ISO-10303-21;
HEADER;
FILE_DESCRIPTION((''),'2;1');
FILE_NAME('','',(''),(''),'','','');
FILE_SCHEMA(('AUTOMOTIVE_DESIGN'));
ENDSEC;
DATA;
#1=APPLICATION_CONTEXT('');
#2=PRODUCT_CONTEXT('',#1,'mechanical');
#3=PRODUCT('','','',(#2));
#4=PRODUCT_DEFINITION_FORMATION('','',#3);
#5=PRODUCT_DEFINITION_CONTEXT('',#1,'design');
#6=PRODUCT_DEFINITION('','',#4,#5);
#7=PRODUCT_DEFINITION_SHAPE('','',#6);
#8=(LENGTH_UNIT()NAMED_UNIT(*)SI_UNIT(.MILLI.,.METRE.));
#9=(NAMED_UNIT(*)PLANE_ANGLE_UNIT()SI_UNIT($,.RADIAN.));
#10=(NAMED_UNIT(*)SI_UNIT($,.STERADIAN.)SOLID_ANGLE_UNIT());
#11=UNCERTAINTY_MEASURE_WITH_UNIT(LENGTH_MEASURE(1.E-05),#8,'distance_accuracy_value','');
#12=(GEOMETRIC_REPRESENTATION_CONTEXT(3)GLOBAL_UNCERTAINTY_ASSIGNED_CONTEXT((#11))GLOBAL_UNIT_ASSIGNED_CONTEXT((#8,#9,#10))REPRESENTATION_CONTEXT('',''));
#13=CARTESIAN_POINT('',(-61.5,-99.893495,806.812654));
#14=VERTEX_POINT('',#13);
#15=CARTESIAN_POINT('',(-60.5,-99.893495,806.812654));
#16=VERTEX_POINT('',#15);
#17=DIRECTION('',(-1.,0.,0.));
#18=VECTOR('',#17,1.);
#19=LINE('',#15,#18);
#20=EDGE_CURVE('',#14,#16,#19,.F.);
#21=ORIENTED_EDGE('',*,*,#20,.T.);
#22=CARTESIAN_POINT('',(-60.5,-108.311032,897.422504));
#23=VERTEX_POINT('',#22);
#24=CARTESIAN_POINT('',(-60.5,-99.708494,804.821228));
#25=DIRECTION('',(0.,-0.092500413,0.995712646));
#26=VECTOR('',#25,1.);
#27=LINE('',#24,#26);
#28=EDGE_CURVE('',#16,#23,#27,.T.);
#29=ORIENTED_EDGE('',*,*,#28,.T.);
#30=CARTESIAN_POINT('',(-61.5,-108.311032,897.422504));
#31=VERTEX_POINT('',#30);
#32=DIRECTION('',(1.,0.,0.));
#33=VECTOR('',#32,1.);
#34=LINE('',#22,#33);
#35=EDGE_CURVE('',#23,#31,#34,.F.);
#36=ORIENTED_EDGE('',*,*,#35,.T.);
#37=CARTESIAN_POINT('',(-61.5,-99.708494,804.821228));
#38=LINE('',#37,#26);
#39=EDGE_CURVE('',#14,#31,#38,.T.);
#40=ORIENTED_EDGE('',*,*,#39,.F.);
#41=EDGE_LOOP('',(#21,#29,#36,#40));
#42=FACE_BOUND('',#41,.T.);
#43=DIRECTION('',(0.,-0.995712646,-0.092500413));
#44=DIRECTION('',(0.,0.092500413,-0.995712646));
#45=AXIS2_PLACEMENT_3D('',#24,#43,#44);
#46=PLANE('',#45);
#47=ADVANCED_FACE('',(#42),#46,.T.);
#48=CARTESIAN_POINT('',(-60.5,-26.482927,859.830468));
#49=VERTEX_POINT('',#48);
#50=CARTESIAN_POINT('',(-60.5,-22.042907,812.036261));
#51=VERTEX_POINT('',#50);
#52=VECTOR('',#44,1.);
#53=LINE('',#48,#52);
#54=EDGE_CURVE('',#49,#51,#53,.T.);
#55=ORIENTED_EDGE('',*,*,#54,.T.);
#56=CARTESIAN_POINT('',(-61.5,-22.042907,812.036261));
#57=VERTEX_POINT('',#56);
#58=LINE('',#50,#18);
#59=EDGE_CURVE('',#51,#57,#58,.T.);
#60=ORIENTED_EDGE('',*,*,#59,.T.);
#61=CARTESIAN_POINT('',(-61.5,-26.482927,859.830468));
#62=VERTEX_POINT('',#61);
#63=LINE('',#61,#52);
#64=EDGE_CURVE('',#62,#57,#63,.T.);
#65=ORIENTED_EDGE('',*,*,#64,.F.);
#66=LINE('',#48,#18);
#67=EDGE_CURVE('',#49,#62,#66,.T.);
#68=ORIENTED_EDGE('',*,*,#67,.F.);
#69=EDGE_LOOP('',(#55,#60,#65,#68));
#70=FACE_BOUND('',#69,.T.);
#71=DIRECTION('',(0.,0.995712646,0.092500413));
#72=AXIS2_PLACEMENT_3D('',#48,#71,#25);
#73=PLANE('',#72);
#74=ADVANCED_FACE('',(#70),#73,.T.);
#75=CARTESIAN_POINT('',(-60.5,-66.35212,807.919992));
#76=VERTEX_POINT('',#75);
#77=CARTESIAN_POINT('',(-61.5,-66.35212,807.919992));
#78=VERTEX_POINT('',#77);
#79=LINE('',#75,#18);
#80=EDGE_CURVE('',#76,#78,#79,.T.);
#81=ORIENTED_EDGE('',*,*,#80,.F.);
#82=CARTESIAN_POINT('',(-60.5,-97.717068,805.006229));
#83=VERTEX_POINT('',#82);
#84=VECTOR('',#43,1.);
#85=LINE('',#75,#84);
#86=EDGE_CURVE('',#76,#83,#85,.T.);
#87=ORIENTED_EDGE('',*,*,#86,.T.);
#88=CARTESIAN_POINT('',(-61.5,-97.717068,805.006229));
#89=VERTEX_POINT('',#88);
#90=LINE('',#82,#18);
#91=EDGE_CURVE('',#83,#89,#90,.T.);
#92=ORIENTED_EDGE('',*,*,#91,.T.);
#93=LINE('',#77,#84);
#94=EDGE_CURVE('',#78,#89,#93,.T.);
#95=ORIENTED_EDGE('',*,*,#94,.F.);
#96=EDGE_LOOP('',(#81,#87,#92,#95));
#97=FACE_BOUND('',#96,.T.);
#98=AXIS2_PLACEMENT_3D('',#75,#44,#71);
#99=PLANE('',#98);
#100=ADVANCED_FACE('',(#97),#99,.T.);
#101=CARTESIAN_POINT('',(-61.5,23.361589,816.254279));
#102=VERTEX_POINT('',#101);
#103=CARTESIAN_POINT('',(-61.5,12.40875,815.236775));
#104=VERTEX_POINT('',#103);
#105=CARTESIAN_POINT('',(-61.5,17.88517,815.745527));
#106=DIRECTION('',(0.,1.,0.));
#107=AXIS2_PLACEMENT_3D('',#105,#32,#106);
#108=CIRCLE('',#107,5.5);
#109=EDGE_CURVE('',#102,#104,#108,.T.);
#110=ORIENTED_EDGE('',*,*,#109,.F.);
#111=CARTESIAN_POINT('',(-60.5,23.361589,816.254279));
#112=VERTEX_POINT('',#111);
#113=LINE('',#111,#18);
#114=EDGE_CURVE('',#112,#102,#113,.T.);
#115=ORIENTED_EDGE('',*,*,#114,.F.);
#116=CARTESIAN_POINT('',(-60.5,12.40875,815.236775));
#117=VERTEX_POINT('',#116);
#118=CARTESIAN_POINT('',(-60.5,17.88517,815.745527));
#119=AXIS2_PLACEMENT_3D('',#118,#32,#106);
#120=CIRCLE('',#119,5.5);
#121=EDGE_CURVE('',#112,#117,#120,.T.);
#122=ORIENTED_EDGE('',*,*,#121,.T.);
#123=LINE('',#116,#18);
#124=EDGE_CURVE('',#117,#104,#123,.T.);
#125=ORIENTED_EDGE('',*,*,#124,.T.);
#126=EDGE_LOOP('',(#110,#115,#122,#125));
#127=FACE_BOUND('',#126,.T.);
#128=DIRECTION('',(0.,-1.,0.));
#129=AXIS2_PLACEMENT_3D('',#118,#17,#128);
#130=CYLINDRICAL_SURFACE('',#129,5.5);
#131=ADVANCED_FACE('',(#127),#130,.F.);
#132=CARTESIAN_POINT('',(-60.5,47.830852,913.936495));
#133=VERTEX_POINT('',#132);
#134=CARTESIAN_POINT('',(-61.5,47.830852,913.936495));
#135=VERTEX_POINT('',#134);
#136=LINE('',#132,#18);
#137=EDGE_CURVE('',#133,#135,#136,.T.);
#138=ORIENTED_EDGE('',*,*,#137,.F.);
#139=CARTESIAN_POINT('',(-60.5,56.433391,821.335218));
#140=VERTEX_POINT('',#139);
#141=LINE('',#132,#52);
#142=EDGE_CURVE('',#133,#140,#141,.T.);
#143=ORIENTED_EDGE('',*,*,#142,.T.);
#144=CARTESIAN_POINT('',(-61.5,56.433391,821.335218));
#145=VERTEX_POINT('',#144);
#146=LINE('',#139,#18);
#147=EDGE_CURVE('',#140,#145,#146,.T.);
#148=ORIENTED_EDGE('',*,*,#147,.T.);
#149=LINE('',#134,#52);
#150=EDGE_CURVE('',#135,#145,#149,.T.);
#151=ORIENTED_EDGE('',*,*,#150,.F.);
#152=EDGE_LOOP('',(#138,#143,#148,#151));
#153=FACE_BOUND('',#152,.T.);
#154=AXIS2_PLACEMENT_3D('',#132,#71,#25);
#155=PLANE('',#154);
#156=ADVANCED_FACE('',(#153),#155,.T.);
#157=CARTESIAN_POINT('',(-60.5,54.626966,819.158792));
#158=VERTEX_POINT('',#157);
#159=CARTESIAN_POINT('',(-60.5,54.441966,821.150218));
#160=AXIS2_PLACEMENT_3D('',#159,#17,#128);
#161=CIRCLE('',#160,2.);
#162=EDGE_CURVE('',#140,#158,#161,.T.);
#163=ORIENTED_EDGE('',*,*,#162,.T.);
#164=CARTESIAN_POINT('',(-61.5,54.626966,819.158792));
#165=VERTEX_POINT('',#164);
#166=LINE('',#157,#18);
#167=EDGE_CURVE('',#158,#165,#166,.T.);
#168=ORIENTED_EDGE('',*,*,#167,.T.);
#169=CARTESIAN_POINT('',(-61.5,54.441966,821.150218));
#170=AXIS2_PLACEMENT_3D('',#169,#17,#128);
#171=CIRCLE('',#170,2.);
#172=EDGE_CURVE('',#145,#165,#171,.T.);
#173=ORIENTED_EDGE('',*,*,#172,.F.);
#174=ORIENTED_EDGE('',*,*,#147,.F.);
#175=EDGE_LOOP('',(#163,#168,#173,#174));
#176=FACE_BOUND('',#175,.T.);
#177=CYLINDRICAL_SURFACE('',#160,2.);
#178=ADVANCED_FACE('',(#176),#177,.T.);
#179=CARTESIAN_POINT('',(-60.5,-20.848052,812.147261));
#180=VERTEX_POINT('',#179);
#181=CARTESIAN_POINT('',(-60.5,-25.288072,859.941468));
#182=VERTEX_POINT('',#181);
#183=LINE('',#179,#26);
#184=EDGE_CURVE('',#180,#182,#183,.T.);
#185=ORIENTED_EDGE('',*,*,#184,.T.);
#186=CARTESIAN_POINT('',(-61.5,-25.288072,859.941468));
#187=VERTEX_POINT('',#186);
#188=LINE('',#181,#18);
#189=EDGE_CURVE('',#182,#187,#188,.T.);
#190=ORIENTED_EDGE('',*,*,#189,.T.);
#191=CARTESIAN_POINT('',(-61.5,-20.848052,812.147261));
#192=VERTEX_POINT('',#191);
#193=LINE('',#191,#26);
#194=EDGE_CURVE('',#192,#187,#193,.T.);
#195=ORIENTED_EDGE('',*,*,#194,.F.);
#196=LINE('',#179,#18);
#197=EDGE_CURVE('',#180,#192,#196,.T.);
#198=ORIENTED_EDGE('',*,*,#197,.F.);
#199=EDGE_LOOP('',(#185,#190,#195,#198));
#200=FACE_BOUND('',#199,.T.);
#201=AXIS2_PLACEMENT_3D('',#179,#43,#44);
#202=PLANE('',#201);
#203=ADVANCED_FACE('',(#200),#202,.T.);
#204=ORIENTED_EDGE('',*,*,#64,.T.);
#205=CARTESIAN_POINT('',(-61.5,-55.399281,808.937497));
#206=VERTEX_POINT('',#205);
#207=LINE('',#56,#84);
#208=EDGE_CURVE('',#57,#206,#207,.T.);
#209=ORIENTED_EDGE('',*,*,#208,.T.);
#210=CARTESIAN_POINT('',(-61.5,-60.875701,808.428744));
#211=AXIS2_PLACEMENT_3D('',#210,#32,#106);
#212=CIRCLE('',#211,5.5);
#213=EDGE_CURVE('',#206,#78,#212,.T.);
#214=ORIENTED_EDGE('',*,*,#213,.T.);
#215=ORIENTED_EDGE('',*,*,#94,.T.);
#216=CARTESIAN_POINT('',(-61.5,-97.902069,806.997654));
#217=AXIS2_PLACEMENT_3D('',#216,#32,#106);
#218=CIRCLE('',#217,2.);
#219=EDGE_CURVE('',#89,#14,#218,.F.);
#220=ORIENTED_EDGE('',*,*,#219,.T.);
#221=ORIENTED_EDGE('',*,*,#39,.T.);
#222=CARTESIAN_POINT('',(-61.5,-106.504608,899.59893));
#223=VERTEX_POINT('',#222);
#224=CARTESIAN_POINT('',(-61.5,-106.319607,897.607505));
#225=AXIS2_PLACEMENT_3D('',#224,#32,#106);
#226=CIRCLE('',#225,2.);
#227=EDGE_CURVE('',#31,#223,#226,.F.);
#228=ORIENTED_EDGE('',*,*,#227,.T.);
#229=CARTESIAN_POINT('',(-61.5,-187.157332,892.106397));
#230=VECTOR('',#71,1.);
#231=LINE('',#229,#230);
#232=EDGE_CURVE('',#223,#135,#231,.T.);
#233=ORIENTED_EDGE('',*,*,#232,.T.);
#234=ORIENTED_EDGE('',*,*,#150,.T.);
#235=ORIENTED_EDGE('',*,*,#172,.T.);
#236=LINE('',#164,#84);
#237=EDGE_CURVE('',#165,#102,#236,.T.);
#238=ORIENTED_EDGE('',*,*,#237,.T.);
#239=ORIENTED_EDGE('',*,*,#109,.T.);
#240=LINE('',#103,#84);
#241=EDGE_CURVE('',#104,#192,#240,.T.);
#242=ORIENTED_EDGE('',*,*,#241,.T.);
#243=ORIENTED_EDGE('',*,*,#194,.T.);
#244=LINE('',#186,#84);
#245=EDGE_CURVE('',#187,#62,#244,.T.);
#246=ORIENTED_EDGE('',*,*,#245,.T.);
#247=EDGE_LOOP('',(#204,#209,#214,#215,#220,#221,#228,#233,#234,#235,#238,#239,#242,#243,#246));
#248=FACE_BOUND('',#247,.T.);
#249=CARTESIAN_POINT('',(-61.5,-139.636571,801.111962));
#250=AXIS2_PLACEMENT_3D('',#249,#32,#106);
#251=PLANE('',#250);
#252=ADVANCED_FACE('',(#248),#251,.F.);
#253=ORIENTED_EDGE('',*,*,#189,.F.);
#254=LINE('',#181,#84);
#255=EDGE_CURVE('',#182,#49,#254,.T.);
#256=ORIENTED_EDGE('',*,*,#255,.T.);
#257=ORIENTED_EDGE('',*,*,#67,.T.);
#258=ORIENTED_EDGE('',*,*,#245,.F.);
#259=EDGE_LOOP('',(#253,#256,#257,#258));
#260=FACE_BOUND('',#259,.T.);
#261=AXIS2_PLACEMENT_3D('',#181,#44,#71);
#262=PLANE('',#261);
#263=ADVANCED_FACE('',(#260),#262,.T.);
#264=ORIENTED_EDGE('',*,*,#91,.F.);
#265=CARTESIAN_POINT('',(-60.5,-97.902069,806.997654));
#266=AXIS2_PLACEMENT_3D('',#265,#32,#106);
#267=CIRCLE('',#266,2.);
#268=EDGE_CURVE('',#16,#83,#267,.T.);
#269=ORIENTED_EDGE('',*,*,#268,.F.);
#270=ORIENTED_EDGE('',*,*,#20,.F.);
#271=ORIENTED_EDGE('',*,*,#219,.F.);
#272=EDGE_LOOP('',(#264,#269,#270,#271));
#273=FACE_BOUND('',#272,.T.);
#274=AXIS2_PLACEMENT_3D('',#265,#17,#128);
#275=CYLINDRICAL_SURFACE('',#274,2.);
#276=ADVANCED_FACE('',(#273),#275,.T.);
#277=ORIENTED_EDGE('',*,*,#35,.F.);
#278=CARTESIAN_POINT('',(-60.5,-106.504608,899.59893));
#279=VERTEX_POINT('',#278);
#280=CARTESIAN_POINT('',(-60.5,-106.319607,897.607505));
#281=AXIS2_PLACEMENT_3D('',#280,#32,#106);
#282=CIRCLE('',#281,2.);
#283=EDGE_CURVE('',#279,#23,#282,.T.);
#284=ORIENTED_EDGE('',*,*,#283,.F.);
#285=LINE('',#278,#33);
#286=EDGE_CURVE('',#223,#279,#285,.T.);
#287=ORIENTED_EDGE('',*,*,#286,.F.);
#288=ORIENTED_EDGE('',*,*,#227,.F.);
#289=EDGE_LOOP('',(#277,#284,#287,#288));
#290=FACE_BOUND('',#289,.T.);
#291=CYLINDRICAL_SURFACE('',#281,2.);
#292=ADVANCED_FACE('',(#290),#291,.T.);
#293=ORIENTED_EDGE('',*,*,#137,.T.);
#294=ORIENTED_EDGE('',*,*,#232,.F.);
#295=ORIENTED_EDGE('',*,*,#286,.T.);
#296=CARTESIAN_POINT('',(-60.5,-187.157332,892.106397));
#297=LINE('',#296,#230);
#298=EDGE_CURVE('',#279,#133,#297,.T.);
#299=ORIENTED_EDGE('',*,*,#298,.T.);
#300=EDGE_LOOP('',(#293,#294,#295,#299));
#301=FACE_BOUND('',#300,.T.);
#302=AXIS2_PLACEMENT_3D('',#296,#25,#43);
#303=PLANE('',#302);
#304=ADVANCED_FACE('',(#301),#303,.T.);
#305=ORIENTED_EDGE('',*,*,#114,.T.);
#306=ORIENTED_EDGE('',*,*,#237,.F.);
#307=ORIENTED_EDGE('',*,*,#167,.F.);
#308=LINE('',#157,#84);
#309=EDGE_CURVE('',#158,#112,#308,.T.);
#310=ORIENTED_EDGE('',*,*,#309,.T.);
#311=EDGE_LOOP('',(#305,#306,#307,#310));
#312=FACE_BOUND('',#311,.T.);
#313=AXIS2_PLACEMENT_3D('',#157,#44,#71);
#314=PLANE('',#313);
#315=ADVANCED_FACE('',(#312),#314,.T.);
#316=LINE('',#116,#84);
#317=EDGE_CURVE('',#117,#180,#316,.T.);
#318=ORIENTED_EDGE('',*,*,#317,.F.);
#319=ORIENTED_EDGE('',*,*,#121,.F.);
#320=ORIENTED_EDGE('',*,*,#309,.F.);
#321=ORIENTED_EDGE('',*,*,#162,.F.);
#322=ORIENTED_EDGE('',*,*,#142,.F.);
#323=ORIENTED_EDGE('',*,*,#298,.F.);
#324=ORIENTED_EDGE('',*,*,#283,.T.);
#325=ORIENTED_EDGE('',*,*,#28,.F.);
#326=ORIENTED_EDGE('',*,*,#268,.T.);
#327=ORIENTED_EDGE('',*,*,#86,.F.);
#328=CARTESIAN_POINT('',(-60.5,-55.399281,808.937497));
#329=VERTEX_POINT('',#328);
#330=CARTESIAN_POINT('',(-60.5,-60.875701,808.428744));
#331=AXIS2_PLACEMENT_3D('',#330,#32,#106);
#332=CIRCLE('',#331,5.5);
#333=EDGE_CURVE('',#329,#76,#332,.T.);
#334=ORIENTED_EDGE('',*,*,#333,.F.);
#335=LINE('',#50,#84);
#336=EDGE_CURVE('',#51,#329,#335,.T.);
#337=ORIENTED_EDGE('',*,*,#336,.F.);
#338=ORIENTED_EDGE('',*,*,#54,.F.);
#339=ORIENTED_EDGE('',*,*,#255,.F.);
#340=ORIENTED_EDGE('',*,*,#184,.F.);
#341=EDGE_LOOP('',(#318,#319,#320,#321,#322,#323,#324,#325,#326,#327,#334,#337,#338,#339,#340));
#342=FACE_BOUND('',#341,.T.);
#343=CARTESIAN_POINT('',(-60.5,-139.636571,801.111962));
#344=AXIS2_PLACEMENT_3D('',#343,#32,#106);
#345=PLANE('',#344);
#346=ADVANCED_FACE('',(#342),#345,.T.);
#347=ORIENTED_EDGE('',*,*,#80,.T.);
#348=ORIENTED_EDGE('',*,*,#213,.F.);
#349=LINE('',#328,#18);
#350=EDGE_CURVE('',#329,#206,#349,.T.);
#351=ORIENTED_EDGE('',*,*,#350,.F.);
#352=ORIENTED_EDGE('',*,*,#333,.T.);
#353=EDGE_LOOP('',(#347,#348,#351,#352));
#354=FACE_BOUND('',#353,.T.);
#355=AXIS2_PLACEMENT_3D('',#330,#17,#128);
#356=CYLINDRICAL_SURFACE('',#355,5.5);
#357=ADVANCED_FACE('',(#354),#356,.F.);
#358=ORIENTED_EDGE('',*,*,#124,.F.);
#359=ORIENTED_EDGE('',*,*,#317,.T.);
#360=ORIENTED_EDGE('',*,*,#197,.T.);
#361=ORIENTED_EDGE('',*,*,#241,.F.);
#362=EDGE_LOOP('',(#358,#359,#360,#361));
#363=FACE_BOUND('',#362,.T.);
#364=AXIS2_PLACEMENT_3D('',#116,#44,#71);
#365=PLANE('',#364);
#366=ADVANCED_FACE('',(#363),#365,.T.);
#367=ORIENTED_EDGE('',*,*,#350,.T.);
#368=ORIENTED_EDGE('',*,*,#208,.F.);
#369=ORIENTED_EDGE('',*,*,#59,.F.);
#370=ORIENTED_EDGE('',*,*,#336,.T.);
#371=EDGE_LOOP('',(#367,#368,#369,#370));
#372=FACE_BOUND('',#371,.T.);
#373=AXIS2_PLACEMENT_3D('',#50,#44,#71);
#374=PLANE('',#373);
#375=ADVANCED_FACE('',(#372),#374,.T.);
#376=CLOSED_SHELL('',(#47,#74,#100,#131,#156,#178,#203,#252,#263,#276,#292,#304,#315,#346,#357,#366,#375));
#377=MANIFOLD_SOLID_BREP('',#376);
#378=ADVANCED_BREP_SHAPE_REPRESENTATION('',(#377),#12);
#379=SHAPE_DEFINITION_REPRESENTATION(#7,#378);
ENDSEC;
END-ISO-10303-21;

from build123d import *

# Parameters (mm, degrees)
EXTRUDE_1_DEPTH     = 1
CUT_EXTRUDE_1_DEPTH = 10
FILLET_1_R          = 2
FILLET_2_R          = 2


with BuildPart() as part:
    # 草图1 → 凸台-拉伸1 (new body)
    with BuildSketch(Plane(origin=(-61.5, 0, 0), x_dir=(0, -1, 0), z_dir=(-1, 0, 0))):
        with BuildLine():
            Line((145.112990447, 800.603209432), (176.378367534, 797.698696456))
            ThreePointArc((176.378367534, 797.698696456), (177.840703349, 798.15115608), (178.554793652, 799.505120921))
            Line((178.554793652, 799.505120921), (187.157332086, 892.106397006))
            Line((187.157332086, 892.106397006), (-47.830852387, 913.936494537))
            Line((-47.830852387, 913.936494537), (-56.433390821, 821.335218452))
            ThreePointArc((-56.433390821, 821.335218452), (-55.980931196, 819.872882636), (-54.626966355, 819.158792334))
            Line((-54.626966355, 819.158792334), (-23.361589268, 816.254279357))
            ThreePointArc((-23.361589268, 816.254279357), (-17.376417442, 821.221946637), (-12.408750162, 815.236774811))
            Line((-12.408750162, 815.236774811), (20.848052217, 812.147261008))
            Line((20.848052217, 812.147261008), (25.288072054, 859.941468019))
            Line((25.288072054, 859.941468019), (26.482927229, 859.830467523))
            Line((26.482927229, 859.830467523), (22.042907393, 812.036260512))
            Line((22.042907393, 812.036260512), (55.399281036, 808.937496668))
            ThreePointArc((55.399281036, 808.937496668), (61.384452862, 813.905163948), (66.352120143, 807.919992122))
            Line((66.352120143, 807.919992122), (99.708493786, 804.821228277))
            Line((99.708493786, 804.821228277), (104.148513623, 852.615435289))
            Line((104.148513623, 852.615435289), (105.343368798, 852.504434793))
            Line((105.343368798, 852.504434793), (100.903348961, 804.710227781))
            Line((100.903348961, 804.710227781), (134.16015134, 801.620713978))
            ThreePointArc((134.16015134, 801.620713978), (140.145323166, 806.588381259), (145.112990447, 800.603209432))
        make_face()
    extrude(amount=-EXTRUDE_1_DEPTH)

    # 草图2 → 切除-拉伸1 (cut)
    with BuildSketch(Plane(origin=(-60.5, 0, 0), x_dir=(0, 0, -1), z_dir=(1, 0, 0))):
        Polygon((-804.821228277, -99.708493786), (-899.413929654, -108.496033046), (-892.106397006, -187.157332086), (-797.513695629, -178.369792826), align=None)
    extrude(amount=-CUT_EXTRUDE_1_DEPTH, mode=Mode.SUBTRACT)

    # 圆角1
    fillet_1_edges = [part.edges().sort_by_distance(p)[0] for p in [
        (-61, -108.496033046, 899.413929654),
    ]]
    fillet(fillet_1_edges, radius=FILLET_1_R)

    # 圆角2
    fillet_2_edges = [part.edges().sort_by_distance(p)[0] for p in [
        (-61, -99.708493786, 804.821228277),
    ]]
    fillet(fillet_2_edges, radius=FILLET_2_R)


solid = part.part
